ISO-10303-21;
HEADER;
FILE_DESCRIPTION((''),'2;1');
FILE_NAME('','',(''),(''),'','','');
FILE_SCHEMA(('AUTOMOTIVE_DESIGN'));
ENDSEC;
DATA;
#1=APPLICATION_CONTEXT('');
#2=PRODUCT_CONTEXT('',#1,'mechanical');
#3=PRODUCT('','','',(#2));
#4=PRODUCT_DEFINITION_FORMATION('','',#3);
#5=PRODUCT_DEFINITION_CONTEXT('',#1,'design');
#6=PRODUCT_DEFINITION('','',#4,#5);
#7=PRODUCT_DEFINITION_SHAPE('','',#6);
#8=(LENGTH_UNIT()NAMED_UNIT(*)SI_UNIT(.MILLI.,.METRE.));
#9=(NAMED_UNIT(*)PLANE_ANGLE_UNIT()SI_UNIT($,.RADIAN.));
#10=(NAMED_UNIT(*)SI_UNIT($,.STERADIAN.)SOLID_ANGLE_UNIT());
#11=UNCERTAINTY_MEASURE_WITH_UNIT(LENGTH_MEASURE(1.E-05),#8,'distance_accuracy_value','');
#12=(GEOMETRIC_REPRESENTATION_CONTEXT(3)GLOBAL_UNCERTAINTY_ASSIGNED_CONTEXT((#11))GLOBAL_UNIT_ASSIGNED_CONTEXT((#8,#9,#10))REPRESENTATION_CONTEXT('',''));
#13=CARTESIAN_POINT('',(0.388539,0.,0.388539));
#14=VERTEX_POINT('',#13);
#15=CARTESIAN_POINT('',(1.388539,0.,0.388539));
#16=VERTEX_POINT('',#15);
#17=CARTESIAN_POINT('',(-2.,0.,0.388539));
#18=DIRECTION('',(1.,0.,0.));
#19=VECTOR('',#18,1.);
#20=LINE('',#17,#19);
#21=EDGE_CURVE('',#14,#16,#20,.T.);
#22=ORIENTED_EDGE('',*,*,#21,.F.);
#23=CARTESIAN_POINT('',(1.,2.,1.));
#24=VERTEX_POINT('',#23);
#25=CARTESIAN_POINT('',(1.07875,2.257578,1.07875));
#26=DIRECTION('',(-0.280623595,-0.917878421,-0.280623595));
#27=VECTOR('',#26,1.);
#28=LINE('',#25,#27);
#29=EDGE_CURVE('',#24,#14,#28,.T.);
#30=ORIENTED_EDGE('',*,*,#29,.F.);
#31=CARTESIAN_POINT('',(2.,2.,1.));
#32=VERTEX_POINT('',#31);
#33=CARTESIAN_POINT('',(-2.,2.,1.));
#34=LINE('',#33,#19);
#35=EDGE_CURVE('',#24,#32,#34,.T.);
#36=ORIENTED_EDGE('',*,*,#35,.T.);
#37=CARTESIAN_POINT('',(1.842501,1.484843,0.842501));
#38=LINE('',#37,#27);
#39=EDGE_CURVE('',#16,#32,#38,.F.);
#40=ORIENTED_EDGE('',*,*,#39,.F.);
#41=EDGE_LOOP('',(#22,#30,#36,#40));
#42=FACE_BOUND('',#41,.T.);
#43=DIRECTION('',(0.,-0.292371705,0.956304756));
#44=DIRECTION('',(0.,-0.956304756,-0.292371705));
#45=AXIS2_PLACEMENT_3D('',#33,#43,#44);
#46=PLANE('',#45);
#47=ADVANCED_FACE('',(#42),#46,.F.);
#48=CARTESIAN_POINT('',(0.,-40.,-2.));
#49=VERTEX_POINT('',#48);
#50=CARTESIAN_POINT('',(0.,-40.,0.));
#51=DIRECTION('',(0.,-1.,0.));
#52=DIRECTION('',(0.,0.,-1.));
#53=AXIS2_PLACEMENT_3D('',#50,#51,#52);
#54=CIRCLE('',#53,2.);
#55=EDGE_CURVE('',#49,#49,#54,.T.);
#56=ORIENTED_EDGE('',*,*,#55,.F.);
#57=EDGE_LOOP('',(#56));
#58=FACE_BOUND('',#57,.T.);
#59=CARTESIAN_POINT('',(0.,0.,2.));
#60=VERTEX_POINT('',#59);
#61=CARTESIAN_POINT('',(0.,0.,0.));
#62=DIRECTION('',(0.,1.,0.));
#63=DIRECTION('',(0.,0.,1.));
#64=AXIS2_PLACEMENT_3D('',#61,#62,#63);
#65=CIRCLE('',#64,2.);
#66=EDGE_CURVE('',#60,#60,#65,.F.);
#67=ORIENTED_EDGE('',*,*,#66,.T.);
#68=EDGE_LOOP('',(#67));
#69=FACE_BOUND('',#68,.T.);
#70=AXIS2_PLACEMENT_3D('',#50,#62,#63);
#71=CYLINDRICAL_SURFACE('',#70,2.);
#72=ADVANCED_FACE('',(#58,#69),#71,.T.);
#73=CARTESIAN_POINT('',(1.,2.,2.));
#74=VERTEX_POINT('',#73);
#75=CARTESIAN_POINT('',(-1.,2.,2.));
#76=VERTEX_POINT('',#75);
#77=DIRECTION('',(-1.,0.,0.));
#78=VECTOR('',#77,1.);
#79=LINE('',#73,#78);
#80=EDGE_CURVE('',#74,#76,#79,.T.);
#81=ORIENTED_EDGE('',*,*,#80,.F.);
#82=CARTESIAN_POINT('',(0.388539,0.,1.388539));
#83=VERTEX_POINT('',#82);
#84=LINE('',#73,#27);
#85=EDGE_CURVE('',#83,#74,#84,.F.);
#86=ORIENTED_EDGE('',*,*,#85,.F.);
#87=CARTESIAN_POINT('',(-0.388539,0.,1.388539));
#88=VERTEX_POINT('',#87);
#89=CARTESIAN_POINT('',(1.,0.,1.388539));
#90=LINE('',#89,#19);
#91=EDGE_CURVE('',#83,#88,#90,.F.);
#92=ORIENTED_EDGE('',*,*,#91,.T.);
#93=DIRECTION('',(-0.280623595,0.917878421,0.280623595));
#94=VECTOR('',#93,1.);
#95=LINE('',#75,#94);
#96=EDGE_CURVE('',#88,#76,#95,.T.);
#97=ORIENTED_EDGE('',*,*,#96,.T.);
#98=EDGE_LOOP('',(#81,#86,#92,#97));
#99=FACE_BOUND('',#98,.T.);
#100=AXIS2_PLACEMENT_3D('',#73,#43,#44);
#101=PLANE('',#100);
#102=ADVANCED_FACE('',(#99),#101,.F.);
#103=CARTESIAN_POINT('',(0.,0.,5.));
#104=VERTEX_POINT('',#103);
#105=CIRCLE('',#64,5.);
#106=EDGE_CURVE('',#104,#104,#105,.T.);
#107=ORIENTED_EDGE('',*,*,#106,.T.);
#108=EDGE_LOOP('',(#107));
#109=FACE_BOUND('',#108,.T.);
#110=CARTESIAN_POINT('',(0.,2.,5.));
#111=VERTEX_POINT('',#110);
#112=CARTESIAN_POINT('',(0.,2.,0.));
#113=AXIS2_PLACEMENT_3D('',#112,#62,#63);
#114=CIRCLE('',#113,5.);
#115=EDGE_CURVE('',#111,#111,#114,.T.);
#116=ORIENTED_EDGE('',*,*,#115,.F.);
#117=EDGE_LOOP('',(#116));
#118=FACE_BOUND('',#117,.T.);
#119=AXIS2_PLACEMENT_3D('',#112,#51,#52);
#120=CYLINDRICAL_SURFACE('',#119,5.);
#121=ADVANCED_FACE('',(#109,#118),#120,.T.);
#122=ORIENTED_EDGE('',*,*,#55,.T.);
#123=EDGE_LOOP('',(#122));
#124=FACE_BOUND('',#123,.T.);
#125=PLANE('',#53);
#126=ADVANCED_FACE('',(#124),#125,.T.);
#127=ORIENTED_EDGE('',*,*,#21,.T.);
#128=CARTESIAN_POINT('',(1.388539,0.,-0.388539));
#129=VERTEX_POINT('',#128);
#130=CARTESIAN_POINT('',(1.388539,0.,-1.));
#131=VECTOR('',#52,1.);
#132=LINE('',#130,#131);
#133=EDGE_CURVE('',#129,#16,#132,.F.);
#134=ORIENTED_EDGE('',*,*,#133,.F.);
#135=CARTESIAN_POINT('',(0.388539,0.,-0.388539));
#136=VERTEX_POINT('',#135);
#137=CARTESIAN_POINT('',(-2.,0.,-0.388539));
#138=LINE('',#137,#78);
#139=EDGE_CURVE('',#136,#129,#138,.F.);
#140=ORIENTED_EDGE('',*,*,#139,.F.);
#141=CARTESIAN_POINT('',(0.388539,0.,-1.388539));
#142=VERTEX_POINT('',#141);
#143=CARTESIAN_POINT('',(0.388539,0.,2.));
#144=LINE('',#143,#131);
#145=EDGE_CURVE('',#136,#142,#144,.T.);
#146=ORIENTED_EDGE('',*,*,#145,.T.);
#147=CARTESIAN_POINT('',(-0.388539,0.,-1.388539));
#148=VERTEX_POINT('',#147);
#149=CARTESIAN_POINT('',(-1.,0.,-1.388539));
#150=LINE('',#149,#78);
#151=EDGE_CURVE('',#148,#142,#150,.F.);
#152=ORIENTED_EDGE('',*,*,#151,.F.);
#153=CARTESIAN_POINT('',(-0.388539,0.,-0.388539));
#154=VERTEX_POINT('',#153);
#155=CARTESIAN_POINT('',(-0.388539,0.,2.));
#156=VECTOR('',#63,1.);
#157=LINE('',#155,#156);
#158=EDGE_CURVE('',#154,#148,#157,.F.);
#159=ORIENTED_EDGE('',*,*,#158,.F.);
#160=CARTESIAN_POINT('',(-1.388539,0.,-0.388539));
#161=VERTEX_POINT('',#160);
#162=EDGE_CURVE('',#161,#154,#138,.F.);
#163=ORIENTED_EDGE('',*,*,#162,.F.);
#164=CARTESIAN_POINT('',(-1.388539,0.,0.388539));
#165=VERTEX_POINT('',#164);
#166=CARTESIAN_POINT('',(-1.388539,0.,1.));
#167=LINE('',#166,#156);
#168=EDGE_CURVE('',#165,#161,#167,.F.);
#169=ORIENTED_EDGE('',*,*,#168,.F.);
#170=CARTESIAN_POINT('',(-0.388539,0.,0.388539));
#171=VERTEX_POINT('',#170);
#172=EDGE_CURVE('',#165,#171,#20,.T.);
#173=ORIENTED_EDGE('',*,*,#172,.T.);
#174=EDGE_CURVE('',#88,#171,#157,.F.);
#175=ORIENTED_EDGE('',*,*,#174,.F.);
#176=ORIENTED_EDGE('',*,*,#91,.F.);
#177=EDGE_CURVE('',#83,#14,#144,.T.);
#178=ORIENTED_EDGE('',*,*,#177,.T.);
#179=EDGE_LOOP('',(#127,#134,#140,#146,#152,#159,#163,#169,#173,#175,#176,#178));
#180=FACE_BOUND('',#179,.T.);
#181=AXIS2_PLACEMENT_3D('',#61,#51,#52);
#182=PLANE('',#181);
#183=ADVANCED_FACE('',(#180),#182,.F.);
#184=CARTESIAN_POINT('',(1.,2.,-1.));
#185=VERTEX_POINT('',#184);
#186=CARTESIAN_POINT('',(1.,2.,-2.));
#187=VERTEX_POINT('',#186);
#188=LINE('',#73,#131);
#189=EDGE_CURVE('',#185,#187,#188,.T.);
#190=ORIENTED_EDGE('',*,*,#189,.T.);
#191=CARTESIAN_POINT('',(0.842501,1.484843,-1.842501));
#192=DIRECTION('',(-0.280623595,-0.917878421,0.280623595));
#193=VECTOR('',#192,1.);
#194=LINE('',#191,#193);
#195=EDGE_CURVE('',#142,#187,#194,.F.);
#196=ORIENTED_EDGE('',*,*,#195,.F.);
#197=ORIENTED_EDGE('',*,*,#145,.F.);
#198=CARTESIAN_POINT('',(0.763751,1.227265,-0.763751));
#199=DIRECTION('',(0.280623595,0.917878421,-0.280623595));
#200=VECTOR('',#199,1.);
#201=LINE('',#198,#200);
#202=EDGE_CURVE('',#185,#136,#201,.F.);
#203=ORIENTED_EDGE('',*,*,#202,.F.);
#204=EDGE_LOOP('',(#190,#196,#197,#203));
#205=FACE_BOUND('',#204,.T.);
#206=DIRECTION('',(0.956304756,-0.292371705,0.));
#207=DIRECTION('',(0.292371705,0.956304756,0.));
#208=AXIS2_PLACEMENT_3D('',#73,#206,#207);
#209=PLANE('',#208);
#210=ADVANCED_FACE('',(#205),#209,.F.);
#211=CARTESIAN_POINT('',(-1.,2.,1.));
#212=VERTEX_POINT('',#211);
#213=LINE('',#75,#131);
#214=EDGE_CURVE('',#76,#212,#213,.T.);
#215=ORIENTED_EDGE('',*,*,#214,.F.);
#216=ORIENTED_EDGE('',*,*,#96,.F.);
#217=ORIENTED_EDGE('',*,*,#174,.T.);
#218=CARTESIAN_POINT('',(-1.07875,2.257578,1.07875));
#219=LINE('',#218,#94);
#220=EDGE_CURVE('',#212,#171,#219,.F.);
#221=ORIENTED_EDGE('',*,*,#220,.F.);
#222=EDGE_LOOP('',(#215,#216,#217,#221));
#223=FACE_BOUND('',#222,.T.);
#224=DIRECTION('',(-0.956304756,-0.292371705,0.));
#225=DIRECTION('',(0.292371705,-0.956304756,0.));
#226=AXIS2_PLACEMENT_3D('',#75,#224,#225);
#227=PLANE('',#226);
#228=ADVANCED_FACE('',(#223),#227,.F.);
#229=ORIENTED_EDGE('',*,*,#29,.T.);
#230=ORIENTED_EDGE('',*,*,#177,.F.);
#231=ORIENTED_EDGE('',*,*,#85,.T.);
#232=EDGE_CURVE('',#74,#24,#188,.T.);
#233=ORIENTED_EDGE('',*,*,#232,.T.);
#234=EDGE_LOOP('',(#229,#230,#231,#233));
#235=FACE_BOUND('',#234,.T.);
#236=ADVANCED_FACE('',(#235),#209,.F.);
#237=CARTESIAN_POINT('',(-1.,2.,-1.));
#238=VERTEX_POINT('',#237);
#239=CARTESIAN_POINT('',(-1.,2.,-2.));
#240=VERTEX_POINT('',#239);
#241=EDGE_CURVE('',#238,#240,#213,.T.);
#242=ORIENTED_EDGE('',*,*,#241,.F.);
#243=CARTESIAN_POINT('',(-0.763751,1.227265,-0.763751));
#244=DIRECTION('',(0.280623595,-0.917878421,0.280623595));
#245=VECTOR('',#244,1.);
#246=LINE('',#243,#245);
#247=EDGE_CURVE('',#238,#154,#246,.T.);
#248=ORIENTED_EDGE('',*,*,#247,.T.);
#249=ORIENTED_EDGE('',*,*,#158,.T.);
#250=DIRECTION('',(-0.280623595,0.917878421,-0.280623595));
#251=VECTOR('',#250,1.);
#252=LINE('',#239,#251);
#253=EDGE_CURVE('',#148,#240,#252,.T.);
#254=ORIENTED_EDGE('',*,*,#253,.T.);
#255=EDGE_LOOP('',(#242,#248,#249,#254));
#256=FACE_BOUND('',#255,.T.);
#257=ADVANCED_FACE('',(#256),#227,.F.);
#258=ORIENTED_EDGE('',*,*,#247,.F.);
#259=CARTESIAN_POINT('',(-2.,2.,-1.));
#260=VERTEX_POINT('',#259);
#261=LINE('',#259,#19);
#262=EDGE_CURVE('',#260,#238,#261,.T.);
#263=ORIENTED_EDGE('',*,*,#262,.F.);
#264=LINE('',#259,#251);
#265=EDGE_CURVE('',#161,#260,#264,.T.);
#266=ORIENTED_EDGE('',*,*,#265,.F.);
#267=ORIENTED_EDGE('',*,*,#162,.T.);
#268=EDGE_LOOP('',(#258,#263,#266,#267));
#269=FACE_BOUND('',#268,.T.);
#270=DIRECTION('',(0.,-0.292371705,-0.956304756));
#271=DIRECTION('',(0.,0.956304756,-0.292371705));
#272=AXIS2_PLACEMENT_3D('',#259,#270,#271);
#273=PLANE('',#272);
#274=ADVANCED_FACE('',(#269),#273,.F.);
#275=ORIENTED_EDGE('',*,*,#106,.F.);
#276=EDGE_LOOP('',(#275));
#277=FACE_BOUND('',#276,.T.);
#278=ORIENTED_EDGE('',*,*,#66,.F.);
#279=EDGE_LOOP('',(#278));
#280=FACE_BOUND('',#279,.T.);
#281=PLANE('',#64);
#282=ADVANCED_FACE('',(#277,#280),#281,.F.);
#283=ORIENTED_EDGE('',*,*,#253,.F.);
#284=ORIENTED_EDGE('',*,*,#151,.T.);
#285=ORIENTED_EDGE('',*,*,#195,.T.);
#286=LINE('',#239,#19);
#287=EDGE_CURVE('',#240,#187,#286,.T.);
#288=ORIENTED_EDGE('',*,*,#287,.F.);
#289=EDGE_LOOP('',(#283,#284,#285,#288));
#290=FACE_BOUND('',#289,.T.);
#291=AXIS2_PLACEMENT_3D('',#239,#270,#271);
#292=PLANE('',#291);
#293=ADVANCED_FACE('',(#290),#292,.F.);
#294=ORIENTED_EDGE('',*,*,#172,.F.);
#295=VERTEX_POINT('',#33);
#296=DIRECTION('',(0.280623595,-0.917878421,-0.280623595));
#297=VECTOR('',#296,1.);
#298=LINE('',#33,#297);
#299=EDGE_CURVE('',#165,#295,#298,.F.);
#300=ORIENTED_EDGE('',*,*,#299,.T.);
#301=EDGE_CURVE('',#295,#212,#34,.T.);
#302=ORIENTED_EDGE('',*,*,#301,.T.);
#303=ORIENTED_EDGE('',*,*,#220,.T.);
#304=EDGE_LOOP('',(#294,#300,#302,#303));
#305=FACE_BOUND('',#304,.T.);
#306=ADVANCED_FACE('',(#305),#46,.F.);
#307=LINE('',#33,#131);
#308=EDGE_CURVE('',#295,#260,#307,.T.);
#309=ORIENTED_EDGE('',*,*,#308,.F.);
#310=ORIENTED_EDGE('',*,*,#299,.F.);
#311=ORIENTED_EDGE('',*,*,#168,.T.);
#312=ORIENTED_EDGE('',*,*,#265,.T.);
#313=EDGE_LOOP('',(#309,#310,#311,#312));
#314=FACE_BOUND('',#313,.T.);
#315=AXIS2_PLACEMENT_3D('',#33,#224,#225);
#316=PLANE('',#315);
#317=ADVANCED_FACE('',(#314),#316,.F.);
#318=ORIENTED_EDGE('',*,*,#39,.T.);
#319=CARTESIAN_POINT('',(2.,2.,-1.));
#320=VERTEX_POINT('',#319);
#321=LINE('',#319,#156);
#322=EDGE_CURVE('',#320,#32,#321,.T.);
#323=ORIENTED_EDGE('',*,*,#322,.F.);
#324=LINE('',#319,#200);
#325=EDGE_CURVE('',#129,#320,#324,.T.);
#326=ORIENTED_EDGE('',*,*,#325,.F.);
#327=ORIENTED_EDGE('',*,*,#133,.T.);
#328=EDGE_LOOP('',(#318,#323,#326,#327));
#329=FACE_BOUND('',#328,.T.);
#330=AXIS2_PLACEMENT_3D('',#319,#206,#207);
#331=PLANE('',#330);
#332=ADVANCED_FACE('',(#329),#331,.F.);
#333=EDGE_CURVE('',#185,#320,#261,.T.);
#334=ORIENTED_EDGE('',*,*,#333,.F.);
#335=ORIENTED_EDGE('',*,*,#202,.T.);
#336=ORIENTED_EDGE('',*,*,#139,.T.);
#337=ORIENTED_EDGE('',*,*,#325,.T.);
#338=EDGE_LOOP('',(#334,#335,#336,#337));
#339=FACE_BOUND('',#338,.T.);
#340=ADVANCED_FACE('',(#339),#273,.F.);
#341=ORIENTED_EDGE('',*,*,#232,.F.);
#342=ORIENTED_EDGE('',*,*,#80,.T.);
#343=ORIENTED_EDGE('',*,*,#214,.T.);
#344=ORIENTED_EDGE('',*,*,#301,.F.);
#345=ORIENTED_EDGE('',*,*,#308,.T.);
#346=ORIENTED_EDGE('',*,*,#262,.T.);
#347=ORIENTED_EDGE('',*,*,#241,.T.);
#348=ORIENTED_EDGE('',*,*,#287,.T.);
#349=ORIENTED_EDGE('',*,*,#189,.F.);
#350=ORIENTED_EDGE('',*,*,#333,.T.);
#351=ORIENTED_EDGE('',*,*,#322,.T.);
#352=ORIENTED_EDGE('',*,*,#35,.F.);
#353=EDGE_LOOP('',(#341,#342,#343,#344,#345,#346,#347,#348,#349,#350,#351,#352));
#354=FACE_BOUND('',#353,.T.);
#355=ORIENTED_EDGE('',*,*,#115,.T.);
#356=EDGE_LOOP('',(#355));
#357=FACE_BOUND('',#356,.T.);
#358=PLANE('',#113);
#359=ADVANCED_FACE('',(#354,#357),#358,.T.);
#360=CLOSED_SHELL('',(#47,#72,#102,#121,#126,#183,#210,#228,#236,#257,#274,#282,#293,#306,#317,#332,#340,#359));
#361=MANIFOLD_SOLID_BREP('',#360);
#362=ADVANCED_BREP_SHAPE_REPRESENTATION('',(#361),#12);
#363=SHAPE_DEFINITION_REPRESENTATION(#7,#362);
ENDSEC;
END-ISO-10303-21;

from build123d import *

# Parameters (mm, degrees)
SKETCH1_R                         = 5
BOSS_EXTRUDE1_DEPTH               = 2
SKETCH2_W                         = 2
SKETCH2_H                         = 4
CUT_EXTRUDE_THIN1_DEPTH           = 2
CUT_EXTRUDE_THIN1_DRAFT           = -17
SKETCH2_W_2                       = 4
SKETCH2_H_2                       = 2
CUT_EXTRUDE_THIN1_PROFILE_2_DEPTH = 2
CUT_EXTRUDE_THIN1_PROFILE_2_DRAFT = -17
SKETCH3_R                         = 2
BOSS_EXTRUDE2_DEPTH               = 40


with BuildPart() as part:
    # Sketch1 → Boss-Extrude1 (new body)
    with BuildSketch(Plane(origin=(0, 0, 0), x_dir=(1, 0, 0), z_dir=(0, 1, 0))):
        with Locations(Location((0, 0, 0), (0, 0, 270))):
            Circle(SKETCH1_R)
    extrude(amount=BOSS_EXTRUDE1_DEPTH)


with BuildPart() as cut_extrude_thin1_tool:
    # Sketch2 → Cut-Extrude-Thin1 (with draft: the straight prism first)
    with BuildSketch(Plane(origin=(0, 2, 0), x_dir=(1, 0, 0), z_dir=(0, 1, 0))):
        Rectangle(SKETCH2_W, SKETCH2_H)
    extrude(amount=-CUT_EXTRUDE_THIN1_DEPTH)
    # Cut-Extrude-Thin1: the draft: its side faces are tilted about the plane it starts from
    cut_extrude_thin1_sides = [cut_extrude_thin1_tool.faces().sort_by_distance(p)[0] for p in [
        (1, 1, 0),
        (0, 1, -2),
        (-1, 1, 0),
        (0, 1, 2),
    ]]
    draft(cut_extrude_thin1_sides, Plane(origin=(0, 2, 0), x_dir=(1, 0, 0), z_dir=(0, 1, 0)), CUT_EXTRUDE_THIN1_DRAFT)


with BuildPart() as part_1:
    add(part.part)

    # Cut-Extrude-Thin1: cut by cut_extrude_thin1_tool
    add(cut_extrude_thin1_tool.part, mode=Mode.SUBTRACT)


with BuildPart() as cut_extrude_thin1_profile_2_tool:
    # Sketch2 → Cut-Extrude-Thin1 profile 2 (with draft: the straight prism first)
    with BuildSketch(Plane(origin=(0, 2, 0), x_dir=(1, 0, 0), z_dir=(0, 1, 0))):
        Rectangle(SKETCH2_W_2, SKETCH2_H_2)
    extrude(amount=-CUT_EXTRUDE_THIN1_PROFILE_2_DEPTH)
    # Cut-Extrude-Thin1 profile 2: the draft: its side faces are tilted about the plane it starts from
    cut_extrude_thin1_profile_2_sides = [cut_extrude_thin1_profile_2_tool.faces().sort_by_distance(p)[0] for p in [
        (0, 1, 1),
        (2, 1, 0),
        (0, 1, -1),
        (-2, 1, 0),
    ]]
    draft(cut_extrude_thin1_profile_2_sides, Plane(origin=(0, 2, 0), x_dir=(1, 0, 0), z_dir=(0, 1, 0)), CUT_EXTRUDE_THIN1_PROFILE_2_DRAFT)


with BuildPart() as part_2:
    add(part_1.part)

    # Cut-Extrude-Thin1 profile 2: cut by cut_extrude_thin1_profile_2_tool
    add(cut_extrude_thin1_profile_2_tool.part, mode=Mode.SUBTRACT)

    # Sketch3 → Boss-Extrude2 (add)
    with BuildSketch(Plane.XZ):
        with Locations(Location((0, 0, 0), (0, 0, 90))):
            Circle(SKETCH3_R)
    extrude(amount=BOSS_EXTRUDE2_DEPTH)


solid = part_2.part
